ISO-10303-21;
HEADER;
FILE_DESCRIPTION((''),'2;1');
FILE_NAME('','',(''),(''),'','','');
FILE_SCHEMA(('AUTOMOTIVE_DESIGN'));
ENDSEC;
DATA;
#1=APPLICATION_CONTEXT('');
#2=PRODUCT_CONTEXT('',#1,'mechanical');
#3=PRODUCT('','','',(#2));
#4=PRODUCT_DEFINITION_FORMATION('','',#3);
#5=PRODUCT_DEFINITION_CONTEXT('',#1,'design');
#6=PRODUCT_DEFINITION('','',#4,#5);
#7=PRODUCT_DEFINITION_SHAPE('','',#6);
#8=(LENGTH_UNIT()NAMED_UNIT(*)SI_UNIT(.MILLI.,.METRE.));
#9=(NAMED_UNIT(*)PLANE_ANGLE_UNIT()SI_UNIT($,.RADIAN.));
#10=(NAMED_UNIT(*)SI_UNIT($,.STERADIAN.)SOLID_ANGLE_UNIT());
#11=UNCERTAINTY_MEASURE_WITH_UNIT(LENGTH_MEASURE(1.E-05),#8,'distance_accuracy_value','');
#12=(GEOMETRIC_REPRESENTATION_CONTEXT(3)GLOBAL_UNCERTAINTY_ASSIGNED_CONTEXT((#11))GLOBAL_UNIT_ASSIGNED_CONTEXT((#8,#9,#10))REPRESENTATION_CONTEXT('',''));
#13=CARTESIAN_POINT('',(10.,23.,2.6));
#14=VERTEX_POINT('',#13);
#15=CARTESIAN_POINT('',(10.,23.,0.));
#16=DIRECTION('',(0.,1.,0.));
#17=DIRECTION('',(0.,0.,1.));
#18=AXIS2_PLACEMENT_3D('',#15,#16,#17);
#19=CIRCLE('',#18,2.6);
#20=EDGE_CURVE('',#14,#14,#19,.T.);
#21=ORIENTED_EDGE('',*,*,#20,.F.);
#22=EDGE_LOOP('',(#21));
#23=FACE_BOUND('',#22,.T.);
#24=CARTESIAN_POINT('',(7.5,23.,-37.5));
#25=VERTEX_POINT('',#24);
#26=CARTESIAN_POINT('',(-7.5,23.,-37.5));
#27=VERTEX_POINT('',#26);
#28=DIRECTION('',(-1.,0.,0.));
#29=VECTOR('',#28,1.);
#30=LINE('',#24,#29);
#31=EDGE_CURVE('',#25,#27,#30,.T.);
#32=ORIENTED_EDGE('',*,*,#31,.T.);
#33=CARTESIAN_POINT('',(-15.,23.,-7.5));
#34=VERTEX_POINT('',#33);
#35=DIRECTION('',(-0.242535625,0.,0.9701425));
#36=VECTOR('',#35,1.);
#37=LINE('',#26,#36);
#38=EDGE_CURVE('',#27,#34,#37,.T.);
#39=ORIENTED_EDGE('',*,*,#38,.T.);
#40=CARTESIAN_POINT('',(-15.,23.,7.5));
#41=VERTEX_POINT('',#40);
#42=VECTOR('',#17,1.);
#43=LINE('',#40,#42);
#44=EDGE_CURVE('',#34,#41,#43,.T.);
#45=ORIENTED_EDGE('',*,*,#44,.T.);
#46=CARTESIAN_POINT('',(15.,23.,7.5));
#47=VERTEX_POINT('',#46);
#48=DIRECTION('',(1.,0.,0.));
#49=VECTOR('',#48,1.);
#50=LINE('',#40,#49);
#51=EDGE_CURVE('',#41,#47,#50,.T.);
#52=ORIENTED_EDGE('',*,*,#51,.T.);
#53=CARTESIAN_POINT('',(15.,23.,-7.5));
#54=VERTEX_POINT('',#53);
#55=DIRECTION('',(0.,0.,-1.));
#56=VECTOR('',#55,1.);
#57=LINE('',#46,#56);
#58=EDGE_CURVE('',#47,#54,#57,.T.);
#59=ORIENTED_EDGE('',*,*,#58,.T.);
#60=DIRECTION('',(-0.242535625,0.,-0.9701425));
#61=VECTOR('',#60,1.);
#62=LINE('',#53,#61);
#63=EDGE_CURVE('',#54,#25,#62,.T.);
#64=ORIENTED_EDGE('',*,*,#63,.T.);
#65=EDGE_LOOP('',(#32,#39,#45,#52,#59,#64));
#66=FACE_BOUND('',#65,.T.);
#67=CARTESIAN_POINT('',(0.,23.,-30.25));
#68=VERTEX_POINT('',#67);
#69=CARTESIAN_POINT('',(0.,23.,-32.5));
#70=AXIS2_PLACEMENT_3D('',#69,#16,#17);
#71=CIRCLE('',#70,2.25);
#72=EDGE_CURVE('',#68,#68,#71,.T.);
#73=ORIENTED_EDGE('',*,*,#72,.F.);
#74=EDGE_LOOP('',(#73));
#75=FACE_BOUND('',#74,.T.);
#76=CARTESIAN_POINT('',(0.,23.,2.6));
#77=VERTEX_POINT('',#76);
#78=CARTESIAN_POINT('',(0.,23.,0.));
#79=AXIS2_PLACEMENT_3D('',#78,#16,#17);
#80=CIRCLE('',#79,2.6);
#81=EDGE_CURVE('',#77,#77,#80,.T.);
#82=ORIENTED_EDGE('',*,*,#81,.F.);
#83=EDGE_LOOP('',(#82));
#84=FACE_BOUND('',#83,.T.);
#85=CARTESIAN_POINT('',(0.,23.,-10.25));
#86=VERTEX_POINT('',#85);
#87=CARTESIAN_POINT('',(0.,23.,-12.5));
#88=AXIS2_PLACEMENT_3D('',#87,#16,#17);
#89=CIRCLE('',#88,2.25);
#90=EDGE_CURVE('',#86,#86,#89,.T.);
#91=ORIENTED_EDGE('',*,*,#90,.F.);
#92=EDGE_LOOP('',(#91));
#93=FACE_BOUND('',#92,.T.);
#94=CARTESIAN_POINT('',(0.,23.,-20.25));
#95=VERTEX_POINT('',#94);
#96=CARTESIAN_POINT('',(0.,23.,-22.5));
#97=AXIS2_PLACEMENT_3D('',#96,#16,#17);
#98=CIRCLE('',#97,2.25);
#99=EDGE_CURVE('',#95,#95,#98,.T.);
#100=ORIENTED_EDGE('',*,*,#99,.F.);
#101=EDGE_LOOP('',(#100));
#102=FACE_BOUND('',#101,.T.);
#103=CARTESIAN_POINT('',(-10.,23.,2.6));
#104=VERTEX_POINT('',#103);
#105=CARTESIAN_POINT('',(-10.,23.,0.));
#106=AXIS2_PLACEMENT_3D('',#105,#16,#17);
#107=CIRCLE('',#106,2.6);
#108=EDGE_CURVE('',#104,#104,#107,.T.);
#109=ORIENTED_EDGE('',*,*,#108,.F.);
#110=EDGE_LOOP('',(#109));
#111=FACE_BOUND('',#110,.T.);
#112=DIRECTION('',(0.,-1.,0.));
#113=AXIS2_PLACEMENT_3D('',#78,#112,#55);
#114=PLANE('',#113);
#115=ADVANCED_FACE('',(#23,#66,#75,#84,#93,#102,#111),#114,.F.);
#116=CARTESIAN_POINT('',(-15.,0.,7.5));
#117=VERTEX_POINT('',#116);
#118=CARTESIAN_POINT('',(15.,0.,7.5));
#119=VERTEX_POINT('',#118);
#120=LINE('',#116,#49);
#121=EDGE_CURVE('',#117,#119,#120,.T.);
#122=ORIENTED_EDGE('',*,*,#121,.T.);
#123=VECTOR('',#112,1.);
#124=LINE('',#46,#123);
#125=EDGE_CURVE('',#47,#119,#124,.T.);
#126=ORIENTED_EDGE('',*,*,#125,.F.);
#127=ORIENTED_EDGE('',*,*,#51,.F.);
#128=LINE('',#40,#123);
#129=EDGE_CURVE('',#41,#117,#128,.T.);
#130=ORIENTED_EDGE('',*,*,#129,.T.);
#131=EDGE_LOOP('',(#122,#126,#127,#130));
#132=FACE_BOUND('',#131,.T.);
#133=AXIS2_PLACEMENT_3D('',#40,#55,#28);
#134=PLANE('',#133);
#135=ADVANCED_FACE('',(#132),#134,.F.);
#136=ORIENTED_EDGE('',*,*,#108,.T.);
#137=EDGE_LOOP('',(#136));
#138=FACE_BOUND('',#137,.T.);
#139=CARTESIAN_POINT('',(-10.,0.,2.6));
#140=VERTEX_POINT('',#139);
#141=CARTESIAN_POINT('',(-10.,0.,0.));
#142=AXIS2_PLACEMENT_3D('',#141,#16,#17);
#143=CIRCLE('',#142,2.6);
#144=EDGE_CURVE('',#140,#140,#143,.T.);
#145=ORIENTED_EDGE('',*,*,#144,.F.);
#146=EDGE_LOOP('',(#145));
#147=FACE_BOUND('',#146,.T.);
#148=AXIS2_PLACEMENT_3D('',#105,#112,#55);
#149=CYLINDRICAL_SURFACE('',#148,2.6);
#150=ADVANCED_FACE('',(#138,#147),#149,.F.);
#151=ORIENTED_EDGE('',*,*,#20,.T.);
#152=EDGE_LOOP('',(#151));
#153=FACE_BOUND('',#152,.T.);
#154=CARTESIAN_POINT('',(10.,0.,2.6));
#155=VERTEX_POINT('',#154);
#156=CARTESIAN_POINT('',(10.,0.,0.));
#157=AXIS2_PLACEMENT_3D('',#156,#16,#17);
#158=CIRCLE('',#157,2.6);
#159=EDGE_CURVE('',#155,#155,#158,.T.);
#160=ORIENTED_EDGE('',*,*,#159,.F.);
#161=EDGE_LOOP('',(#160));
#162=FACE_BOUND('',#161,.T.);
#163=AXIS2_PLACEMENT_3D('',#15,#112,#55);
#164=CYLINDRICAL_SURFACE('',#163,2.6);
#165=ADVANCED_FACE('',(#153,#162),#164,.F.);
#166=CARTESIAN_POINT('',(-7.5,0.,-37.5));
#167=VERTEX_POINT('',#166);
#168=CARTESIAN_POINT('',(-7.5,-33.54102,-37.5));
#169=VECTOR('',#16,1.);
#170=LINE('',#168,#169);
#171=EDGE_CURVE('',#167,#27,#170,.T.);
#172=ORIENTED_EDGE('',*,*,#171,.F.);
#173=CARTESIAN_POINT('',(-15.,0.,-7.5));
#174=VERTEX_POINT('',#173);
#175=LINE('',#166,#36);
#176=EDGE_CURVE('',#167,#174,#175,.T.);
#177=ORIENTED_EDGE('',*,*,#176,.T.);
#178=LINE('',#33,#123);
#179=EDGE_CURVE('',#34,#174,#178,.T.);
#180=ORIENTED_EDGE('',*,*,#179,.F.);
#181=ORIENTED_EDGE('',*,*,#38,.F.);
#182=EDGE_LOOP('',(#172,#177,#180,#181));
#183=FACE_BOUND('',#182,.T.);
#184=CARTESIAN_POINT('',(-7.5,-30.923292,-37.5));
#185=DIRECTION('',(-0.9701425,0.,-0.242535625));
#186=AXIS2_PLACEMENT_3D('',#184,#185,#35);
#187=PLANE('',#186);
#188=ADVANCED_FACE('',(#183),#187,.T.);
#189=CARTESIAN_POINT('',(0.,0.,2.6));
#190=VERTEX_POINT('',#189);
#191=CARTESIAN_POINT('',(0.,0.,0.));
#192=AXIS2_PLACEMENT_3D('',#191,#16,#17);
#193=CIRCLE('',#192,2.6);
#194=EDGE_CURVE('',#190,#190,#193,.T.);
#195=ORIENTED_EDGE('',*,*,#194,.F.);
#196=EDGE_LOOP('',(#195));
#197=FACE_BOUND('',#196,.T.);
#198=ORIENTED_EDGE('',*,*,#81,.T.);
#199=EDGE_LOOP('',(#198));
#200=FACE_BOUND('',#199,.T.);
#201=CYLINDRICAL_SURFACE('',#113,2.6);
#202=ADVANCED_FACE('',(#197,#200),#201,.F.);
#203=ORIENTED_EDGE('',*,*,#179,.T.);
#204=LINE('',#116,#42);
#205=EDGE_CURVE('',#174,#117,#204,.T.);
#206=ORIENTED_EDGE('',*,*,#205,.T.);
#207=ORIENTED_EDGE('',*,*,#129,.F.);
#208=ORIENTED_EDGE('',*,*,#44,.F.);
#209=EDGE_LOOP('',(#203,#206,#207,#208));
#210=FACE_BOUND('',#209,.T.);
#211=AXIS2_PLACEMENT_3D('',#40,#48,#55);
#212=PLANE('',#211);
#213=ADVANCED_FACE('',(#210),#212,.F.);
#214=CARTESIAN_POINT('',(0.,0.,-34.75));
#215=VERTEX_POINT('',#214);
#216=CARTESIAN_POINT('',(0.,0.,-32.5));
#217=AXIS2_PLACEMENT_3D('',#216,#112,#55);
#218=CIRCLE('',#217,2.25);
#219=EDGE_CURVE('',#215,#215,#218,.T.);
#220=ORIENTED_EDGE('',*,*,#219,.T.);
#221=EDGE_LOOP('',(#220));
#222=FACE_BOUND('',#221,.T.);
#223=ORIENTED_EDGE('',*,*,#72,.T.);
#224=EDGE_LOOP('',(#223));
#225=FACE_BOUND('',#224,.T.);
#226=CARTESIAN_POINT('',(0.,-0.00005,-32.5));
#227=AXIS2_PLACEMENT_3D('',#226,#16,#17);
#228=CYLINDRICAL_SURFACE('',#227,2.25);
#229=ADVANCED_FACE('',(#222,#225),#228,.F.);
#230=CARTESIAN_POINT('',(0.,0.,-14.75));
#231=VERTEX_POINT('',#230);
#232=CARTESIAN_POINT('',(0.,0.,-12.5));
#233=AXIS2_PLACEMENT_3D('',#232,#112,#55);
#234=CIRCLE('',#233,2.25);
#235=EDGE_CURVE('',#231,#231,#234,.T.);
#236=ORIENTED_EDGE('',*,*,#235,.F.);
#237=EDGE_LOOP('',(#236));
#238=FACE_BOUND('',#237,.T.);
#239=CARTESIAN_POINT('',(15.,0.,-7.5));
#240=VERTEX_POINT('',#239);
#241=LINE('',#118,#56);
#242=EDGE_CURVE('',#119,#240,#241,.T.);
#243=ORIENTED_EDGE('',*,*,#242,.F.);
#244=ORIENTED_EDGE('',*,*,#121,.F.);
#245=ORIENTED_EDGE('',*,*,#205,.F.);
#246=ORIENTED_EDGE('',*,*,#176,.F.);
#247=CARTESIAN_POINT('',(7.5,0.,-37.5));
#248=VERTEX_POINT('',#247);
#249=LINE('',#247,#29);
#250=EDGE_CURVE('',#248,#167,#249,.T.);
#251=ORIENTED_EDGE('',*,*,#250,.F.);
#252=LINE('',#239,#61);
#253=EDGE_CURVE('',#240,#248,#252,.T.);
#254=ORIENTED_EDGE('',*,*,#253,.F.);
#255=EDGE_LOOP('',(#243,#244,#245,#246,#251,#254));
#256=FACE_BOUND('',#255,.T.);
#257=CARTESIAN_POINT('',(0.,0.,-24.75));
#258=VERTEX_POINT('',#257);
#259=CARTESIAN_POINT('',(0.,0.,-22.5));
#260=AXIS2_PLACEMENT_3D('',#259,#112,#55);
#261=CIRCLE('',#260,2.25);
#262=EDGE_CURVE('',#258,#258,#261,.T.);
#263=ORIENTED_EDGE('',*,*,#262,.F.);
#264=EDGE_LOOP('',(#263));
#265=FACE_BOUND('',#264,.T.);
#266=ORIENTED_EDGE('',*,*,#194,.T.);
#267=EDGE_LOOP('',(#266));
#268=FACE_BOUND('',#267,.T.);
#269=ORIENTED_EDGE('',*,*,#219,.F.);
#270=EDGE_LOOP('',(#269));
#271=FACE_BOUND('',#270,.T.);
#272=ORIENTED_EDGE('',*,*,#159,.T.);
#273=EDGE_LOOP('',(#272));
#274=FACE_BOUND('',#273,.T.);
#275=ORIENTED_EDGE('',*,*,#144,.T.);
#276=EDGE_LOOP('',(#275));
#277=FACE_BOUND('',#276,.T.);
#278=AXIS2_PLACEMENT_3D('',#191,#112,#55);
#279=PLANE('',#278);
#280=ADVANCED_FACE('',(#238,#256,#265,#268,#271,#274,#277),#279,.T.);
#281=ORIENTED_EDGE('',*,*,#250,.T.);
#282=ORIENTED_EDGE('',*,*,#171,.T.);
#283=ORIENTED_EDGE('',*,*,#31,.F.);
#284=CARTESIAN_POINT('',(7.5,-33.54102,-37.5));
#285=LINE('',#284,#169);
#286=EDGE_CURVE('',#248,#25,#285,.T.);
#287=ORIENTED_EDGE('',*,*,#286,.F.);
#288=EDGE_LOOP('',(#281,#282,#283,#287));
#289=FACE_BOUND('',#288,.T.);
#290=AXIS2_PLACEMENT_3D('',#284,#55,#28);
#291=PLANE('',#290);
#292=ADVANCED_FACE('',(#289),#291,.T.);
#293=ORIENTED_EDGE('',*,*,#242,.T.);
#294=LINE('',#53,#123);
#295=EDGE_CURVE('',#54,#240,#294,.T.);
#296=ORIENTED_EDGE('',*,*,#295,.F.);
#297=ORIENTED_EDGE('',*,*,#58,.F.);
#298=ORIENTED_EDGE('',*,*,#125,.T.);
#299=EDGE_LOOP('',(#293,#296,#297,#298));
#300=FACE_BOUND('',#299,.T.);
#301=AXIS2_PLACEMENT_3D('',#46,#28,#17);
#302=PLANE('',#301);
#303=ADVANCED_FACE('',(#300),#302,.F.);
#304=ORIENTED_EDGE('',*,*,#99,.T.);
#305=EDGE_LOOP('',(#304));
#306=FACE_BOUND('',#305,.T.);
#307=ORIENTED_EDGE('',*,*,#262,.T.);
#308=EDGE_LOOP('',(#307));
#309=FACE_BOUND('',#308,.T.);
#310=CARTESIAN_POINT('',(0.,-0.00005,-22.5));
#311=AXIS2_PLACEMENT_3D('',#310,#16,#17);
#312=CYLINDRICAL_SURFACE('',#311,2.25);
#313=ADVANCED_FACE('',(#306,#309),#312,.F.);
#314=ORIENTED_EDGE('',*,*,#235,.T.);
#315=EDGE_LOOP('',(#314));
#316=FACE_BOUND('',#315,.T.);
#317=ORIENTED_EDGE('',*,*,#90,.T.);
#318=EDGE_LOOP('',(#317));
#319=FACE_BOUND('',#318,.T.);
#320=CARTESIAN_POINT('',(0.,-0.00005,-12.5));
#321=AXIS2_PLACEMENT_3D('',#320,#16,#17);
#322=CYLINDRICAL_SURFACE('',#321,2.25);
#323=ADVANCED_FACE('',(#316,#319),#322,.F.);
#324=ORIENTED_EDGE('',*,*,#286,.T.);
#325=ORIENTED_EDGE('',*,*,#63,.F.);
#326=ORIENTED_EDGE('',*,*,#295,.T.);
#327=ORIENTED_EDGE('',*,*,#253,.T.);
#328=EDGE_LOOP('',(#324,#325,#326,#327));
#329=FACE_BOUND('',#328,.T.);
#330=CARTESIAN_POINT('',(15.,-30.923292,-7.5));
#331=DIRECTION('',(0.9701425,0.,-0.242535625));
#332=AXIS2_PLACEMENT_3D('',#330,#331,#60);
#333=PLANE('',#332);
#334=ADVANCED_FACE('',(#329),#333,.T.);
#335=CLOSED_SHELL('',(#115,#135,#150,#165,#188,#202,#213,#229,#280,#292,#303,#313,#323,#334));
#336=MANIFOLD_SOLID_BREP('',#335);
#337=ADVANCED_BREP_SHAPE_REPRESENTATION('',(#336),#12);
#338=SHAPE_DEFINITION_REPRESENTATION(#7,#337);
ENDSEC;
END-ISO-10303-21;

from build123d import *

# Parameters (mm, degrees)
SKETCH1_W           = 30
SKETCH1_H           = 15
SKETCH1_R           = 2.6
BOSS_EXTRUDE1_DEPTH = 23
SKETCH2_W           = 15
SKETCH2_H           = 30
BOSS_EXTRUDE2_DEPTH = 23
SKETCH3_R           = 2.25
CUT_EXTRUDE1_DEPTH  = 47.478489648
BOSS_EXTRUDE3_DEPTH = 23


with BuildPart() as part:
    # Sketch1 → Boss-Extrude1 (new body)
    with BuildSketch(Plane(origin=(0, 0, 0), x_dir=(1, 0, 0), z_dir=(0, 1, 0))):
        Rectangle(SKETCH1_W, SKETCH1_H)
        with Locations(Location((0, 0, 0), (0, 0, 270))):
            Circle(SKETCH1_R, mode=Mode.SUBTRACT)
        with Locations(Location((10, 0, 0), (0, 0, 270))):
            Circle(SKETCH1_R, mode=Mode.SUBTRACT)
        with Locations(Location((-10, 0, 0), (0, 0, 270))):
            Circle(SKETCH1_R, mode=Mode.SUBTRACT)
    extrude(amount=BOSS_EXTRUDE1_DEPTH)

    # Sketch2 → Boss-Extrude2 (add)
    with BuildSketch(Plane(origin=(0, 23, 0), x_dir=(1, 0, 0), z_dir=(0, 1, 0))):
        with Locations((0, 22.5)):
            Rectangle(SKETCH2_W, SKETCH2_H)
    extrude(amount=-BOSS_EXTRUDE2_DEPTH)

    # Sketch3 → Cut-Extrude1 (cut, through all)
    with BuildSketch(Plane(origin=(0, 23, 0), x_dir=(1, 0, 0), z_dir=(0, 1, 0))):
        with Locations(Location((0, 32.5, 0), (0, 0, 270))):
            Circle(SKETCH3_R)
        with Locations(Location((0, 22.5, 0), (0, 0, 270))):
            Circle(SKETCH3_R)
        with Locations(Location((0, 12.5, 0), (0, 0, 270))):
            Circle(SKETCH3_R)
    extrude(amount=-CUT_EXTRUDE1_DEPTH, mode=Mode.SUBTRACT)

    # Sketch4 → Boss-Extrude3 (add)
    with BuildSketch(Plane(origin=(0, 23, 0), x_dir=(1, 0, 0), z_dir=(0, 1, 0))):
        Polygon((-7.5, 37.5), (-15, 7.5), (-7.5, 7.5), align=None)
        Polygon((7.5, 37.5), (7.5, 7.5), (15, 7.5), align=None)
    extrude(amount=-BOSS_EXTRUDE3_DEPTH)


solid = part.part
